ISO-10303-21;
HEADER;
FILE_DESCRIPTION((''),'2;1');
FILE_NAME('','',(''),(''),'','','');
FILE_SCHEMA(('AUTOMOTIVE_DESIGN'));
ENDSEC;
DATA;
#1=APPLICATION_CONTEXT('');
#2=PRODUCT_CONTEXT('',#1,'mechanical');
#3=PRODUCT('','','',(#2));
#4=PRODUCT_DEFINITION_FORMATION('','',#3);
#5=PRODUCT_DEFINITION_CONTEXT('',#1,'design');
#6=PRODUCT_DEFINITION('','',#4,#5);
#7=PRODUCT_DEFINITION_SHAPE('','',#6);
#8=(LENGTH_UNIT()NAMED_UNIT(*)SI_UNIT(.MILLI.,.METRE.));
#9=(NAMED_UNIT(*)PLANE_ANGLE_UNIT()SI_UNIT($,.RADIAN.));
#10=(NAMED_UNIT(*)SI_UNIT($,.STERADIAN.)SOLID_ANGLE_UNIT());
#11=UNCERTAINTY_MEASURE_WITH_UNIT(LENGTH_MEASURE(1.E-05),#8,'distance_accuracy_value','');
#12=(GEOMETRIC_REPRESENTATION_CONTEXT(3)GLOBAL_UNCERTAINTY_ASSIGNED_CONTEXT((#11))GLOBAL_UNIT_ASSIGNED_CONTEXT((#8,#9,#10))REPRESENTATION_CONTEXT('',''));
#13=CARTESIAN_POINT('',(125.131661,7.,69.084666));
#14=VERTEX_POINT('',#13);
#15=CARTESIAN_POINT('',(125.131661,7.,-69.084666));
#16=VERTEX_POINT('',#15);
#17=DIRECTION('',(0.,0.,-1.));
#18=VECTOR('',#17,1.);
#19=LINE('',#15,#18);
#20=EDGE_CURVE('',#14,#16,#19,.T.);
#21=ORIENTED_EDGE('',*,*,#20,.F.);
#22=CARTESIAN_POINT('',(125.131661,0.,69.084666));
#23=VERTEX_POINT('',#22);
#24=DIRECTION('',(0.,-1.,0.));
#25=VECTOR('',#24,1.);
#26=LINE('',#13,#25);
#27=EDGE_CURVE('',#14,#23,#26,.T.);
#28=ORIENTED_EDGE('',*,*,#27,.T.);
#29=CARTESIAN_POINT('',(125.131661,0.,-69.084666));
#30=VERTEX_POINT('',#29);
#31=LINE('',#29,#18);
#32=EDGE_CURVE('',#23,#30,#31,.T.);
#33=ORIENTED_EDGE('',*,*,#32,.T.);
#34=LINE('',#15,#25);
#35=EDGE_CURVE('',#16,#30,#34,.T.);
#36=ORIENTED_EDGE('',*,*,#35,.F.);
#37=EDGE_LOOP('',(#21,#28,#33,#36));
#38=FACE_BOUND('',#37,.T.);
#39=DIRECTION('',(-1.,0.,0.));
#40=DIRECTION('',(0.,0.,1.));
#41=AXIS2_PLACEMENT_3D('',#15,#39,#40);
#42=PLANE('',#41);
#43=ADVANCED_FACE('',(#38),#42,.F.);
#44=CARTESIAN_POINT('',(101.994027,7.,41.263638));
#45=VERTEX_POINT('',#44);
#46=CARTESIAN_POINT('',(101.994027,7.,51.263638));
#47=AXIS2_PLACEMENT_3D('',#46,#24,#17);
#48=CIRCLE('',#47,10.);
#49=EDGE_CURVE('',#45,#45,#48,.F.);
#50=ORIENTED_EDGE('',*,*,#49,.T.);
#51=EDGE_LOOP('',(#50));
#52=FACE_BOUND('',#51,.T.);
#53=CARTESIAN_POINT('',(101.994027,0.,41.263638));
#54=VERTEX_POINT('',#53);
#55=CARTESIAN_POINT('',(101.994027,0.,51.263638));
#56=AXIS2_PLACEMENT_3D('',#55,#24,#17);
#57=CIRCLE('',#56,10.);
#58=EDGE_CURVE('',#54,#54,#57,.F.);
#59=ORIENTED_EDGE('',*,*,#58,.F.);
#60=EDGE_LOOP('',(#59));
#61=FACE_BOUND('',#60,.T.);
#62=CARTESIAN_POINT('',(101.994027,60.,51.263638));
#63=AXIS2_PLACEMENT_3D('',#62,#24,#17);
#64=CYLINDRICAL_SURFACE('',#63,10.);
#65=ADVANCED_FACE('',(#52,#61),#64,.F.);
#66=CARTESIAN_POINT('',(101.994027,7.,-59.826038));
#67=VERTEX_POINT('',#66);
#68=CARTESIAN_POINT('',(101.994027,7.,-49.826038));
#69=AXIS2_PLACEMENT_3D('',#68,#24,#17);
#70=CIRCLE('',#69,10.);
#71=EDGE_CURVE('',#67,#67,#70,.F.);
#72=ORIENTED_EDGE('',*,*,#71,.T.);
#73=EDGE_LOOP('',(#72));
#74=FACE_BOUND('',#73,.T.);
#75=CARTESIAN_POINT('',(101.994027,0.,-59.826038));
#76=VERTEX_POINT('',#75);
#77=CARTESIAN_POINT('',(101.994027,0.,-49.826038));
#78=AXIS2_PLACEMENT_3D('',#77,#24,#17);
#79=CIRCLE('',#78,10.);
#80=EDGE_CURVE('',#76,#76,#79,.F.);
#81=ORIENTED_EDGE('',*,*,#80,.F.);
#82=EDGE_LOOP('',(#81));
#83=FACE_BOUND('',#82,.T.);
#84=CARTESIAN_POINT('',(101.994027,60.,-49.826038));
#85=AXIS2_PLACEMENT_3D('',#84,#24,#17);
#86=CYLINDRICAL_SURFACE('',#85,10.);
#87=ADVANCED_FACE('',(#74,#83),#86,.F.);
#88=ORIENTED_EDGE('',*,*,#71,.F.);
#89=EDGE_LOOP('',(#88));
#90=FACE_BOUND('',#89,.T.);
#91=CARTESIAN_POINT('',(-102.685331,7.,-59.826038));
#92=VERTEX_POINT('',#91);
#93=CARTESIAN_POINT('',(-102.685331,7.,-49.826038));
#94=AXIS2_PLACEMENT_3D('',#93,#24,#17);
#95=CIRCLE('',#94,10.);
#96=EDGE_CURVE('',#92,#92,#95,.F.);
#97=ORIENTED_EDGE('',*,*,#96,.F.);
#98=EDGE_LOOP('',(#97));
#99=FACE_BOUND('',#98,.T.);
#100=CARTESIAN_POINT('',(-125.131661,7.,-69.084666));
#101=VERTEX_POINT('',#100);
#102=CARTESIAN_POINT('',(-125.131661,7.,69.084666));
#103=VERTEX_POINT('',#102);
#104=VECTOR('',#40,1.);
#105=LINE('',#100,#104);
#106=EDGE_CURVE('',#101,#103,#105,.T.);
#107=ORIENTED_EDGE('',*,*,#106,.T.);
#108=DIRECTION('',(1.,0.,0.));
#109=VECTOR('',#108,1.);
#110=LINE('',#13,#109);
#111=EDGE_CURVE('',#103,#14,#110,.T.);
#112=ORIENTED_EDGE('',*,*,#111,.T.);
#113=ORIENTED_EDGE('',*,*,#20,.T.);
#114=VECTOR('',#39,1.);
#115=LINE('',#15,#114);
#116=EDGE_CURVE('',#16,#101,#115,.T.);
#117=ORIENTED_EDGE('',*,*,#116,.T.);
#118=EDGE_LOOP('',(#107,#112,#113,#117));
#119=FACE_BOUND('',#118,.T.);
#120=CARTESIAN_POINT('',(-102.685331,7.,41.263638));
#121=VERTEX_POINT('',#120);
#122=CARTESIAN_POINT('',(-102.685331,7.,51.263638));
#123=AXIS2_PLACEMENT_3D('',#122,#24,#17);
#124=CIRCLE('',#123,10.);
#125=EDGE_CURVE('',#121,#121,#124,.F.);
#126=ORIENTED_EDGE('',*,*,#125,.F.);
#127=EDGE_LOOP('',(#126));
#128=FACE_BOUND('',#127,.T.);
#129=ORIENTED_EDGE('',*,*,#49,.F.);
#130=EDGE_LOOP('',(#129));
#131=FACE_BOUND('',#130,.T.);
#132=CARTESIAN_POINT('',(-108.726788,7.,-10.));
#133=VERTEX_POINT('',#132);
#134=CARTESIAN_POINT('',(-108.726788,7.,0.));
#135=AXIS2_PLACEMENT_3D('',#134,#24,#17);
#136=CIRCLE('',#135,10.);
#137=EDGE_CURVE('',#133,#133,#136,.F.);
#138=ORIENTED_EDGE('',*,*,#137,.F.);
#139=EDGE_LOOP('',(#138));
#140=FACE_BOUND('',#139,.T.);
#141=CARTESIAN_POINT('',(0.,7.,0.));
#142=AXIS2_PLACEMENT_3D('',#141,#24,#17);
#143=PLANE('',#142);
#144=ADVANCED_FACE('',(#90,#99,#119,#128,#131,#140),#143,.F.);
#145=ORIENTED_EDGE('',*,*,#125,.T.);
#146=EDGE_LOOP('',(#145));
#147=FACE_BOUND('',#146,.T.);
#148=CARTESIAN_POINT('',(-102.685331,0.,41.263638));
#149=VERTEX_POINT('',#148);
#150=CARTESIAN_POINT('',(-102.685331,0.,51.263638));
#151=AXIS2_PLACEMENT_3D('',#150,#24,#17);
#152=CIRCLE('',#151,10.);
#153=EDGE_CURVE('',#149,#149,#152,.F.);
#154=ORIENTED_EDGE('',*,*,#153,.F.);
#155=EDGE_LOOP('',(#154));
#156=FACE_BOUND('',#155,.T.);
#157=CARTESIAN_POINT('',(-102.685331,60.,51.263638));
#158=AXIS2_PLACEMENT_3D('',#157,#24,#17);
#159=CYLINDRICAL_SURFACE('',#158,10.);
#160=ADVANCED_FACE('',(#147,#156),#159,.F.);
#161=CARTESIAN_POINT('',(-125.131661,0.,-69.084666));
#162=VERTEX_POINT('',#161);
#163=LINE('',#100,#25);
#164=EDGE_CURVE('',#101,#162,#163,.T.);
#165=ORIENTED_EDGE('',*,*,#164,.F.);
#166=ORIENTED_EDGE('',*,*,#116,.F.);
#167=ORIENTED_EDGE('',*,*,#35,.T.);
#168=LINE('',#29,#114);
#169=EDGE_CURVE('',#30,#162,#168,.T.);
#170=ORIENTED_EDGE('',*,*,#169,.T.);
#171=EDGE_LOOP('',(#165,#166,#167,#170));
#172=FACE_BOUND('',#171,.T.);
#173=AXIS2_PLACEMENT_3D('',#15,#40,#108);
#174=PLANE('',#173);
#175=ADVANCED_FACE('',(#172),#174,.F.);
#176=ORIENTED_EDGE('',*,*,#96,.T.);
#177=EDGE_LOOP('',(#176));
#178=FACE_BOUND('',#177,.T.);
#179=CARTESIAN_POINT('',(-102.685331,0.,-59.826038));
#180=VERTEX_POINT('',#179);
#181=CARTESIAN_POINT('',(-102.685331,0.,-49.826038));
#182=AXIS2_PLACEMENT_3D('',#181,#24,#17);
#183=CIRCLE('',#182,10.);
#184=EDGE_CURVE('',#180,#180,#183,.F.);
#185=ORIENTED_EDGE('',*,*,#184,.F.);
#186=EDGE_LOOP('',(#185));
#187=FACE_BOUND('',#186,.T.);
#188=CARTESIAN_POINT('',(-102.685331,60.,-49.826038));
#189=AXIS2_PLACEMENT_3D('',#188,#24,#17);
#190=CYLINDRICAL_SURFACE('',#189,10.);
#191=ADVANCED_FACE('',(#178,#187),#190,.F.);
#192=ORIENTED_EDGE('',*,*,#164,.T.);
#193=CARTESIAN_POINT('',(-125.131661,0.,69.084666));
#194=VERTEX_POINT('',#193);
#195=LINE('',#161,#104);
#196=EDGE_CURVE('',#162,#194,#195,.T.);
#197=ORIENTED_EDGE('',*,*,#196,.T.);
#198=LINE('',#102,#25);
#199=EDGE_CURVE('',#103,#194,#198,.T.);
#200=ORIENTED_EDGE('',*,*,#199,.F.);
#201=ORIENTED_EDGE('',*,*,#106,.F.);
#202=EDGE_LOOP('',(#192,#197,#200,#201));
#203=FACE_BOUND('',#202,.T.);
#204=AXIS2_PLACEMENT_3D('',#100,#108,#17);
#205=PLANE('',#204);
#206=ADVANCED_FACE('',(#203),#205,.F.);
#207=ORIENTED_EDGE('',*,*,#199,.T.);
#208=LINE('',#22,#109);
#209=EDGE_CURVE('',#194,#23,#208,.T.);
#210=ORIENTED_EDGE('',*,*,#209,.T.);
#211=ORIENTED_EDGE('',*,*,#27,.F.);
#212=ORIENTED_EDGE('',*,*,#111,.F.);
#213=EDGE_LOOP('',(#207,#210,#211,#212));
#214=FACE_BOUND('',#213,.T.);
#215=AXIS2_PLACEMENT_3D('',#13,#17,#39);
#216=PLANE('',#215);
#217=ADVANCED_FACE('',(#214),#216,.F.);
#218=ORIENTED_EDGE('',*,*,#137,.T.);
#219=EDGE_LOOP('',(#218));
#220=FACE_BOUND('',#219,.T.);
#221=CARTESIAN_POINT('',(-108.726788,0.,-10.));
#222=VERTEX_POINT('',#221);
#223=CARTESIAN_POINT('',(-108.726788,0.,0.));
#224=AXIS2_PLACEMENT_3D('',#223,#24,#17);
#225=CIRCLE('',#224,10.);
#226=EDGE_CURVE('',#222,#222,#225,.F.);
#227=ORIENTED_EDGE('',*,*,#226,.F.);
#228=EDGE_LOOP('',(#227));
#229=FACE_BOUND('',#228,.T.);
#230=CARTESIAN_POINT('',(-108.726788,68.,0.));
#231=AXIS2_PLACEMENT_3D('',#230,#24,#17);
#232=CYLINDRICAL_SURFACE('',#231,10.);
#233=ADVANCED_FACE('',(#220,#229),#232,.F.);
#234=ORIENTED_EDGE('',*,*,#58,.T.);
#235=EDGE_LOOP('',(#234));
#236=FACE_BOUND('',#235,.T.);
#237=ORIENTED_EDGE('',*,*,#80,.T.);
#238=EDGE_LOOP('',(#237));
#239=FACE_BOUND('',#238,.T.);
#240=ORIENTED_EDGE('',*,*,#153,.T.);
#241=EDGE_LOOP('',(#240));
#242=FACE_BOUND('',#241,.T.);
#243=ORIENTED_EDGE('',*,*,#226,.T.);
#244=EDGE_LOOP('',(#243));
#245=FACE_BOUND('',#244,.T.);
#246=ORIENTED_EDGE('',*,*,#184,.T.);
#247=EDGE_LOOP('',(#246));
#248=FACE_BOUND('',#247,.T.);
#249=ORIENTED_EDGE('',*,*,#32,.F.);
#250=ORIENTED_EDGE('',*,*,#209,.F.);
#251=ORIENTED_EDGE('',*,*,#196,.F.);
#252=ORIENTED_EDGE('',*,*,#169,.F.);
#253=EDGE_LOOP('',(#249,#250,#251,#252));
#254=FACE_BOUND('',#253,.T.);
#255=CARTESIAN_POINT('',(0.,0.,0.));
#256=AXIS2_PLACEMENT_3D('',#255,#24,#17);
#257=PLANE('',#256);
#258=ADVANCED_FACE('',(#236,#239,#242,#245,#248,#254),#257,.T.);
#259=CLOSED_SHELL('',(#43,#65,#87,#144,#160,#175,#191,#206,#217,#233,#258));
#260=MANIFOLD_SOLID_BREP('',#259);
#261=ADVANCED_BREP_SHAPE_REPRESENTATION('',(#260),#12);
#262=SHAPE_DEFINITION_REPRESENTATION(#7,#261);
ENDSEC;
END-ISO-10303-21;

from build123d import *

# Parameters (mm, degrees)
SKETCH4_W               = 250.263322682
SKETCH4_H               = 138.169331444
BOSS_EXTRUDE1_DEPTH     = 7
CUT_EXTRUDE1_DEPTH      = 60
CUT_EXTRUDE1_DEPTH_BACK = 144.107035844
SKETCH5_R               = 10
CUT_EXTRUDE6_DEPTH      = 68
CUT_EXTRUDE6_DEPTH_BACK = 76
SKETCH9_R               = 10


with BuildPart() as part:
    # Sketch4 → Boss-Extrude1 (new body)
    with BuildSketch(Plane(origin=(0, 0, 0), x_dir=(1, 0, 0), z_dir=(0, 1, 0))):
        Rectangle(SKETCH4_W, SKETCH4_H)
    extrude(amount=BOSS_EXTRUDE1_DEPTH)

    # Sketch5 → Cut-Extrude1 (cut, two sides: drawn at the far end of the back side and taken through both)
    with BuildSketch(Plane(origin=(0, 0, 0), x_dir=(1, 0, 0), z_dir=(0, 1, 0)).offset(-CUT_EXTRUDE1_DEPTH_BACK)):
        with Locations(Location((-102.685331177, 49.826038164, 0), (0, 0, 90))):
            Circle(SKETCH5_R)
        with Locations(Location((101.994027262, 49.826038164, 0), (0, 0, 90))):
            Circle(SKETCH5_R)
        with Locations(Location((101.994027262, -51.263637619, 0), (0, 0, 90))):
            Circle(SKETCH5_R)
        with Locations(Location((-102.685331177, -51.263637619, 0), (0, 0, 90))):
            Circle(SKETCH5_R)
    extrude(amount=CUT_EXTRUDE1_DEPTH + CUT_EXTRUDE1_DEPTH_BACK, mode=Mode.SUBTRACT)

    # Sketch9 → Cut-Extrude6 (cut, two sides: drawn at the far end of the back side and taken through both)
    with BuildSketch(Plane(origin=(0, 0, 0), x_dir=(1, 0, 0), z_dir=(0, 1, 0)).offset(-CUT_EXTRUDE6_DEPTH_BACK)):
        with Locations(Location((-108.72678805, 0, 0), (0, 0, 90))):
            Circle(SKETCH9_R)
    extrude(amount=CUT_EXTRUDE6_DEPTH + CUT_EXTRUDE6_DEPTH_BACK, mode=Mode.SUBTRACT)


solid = part.part
